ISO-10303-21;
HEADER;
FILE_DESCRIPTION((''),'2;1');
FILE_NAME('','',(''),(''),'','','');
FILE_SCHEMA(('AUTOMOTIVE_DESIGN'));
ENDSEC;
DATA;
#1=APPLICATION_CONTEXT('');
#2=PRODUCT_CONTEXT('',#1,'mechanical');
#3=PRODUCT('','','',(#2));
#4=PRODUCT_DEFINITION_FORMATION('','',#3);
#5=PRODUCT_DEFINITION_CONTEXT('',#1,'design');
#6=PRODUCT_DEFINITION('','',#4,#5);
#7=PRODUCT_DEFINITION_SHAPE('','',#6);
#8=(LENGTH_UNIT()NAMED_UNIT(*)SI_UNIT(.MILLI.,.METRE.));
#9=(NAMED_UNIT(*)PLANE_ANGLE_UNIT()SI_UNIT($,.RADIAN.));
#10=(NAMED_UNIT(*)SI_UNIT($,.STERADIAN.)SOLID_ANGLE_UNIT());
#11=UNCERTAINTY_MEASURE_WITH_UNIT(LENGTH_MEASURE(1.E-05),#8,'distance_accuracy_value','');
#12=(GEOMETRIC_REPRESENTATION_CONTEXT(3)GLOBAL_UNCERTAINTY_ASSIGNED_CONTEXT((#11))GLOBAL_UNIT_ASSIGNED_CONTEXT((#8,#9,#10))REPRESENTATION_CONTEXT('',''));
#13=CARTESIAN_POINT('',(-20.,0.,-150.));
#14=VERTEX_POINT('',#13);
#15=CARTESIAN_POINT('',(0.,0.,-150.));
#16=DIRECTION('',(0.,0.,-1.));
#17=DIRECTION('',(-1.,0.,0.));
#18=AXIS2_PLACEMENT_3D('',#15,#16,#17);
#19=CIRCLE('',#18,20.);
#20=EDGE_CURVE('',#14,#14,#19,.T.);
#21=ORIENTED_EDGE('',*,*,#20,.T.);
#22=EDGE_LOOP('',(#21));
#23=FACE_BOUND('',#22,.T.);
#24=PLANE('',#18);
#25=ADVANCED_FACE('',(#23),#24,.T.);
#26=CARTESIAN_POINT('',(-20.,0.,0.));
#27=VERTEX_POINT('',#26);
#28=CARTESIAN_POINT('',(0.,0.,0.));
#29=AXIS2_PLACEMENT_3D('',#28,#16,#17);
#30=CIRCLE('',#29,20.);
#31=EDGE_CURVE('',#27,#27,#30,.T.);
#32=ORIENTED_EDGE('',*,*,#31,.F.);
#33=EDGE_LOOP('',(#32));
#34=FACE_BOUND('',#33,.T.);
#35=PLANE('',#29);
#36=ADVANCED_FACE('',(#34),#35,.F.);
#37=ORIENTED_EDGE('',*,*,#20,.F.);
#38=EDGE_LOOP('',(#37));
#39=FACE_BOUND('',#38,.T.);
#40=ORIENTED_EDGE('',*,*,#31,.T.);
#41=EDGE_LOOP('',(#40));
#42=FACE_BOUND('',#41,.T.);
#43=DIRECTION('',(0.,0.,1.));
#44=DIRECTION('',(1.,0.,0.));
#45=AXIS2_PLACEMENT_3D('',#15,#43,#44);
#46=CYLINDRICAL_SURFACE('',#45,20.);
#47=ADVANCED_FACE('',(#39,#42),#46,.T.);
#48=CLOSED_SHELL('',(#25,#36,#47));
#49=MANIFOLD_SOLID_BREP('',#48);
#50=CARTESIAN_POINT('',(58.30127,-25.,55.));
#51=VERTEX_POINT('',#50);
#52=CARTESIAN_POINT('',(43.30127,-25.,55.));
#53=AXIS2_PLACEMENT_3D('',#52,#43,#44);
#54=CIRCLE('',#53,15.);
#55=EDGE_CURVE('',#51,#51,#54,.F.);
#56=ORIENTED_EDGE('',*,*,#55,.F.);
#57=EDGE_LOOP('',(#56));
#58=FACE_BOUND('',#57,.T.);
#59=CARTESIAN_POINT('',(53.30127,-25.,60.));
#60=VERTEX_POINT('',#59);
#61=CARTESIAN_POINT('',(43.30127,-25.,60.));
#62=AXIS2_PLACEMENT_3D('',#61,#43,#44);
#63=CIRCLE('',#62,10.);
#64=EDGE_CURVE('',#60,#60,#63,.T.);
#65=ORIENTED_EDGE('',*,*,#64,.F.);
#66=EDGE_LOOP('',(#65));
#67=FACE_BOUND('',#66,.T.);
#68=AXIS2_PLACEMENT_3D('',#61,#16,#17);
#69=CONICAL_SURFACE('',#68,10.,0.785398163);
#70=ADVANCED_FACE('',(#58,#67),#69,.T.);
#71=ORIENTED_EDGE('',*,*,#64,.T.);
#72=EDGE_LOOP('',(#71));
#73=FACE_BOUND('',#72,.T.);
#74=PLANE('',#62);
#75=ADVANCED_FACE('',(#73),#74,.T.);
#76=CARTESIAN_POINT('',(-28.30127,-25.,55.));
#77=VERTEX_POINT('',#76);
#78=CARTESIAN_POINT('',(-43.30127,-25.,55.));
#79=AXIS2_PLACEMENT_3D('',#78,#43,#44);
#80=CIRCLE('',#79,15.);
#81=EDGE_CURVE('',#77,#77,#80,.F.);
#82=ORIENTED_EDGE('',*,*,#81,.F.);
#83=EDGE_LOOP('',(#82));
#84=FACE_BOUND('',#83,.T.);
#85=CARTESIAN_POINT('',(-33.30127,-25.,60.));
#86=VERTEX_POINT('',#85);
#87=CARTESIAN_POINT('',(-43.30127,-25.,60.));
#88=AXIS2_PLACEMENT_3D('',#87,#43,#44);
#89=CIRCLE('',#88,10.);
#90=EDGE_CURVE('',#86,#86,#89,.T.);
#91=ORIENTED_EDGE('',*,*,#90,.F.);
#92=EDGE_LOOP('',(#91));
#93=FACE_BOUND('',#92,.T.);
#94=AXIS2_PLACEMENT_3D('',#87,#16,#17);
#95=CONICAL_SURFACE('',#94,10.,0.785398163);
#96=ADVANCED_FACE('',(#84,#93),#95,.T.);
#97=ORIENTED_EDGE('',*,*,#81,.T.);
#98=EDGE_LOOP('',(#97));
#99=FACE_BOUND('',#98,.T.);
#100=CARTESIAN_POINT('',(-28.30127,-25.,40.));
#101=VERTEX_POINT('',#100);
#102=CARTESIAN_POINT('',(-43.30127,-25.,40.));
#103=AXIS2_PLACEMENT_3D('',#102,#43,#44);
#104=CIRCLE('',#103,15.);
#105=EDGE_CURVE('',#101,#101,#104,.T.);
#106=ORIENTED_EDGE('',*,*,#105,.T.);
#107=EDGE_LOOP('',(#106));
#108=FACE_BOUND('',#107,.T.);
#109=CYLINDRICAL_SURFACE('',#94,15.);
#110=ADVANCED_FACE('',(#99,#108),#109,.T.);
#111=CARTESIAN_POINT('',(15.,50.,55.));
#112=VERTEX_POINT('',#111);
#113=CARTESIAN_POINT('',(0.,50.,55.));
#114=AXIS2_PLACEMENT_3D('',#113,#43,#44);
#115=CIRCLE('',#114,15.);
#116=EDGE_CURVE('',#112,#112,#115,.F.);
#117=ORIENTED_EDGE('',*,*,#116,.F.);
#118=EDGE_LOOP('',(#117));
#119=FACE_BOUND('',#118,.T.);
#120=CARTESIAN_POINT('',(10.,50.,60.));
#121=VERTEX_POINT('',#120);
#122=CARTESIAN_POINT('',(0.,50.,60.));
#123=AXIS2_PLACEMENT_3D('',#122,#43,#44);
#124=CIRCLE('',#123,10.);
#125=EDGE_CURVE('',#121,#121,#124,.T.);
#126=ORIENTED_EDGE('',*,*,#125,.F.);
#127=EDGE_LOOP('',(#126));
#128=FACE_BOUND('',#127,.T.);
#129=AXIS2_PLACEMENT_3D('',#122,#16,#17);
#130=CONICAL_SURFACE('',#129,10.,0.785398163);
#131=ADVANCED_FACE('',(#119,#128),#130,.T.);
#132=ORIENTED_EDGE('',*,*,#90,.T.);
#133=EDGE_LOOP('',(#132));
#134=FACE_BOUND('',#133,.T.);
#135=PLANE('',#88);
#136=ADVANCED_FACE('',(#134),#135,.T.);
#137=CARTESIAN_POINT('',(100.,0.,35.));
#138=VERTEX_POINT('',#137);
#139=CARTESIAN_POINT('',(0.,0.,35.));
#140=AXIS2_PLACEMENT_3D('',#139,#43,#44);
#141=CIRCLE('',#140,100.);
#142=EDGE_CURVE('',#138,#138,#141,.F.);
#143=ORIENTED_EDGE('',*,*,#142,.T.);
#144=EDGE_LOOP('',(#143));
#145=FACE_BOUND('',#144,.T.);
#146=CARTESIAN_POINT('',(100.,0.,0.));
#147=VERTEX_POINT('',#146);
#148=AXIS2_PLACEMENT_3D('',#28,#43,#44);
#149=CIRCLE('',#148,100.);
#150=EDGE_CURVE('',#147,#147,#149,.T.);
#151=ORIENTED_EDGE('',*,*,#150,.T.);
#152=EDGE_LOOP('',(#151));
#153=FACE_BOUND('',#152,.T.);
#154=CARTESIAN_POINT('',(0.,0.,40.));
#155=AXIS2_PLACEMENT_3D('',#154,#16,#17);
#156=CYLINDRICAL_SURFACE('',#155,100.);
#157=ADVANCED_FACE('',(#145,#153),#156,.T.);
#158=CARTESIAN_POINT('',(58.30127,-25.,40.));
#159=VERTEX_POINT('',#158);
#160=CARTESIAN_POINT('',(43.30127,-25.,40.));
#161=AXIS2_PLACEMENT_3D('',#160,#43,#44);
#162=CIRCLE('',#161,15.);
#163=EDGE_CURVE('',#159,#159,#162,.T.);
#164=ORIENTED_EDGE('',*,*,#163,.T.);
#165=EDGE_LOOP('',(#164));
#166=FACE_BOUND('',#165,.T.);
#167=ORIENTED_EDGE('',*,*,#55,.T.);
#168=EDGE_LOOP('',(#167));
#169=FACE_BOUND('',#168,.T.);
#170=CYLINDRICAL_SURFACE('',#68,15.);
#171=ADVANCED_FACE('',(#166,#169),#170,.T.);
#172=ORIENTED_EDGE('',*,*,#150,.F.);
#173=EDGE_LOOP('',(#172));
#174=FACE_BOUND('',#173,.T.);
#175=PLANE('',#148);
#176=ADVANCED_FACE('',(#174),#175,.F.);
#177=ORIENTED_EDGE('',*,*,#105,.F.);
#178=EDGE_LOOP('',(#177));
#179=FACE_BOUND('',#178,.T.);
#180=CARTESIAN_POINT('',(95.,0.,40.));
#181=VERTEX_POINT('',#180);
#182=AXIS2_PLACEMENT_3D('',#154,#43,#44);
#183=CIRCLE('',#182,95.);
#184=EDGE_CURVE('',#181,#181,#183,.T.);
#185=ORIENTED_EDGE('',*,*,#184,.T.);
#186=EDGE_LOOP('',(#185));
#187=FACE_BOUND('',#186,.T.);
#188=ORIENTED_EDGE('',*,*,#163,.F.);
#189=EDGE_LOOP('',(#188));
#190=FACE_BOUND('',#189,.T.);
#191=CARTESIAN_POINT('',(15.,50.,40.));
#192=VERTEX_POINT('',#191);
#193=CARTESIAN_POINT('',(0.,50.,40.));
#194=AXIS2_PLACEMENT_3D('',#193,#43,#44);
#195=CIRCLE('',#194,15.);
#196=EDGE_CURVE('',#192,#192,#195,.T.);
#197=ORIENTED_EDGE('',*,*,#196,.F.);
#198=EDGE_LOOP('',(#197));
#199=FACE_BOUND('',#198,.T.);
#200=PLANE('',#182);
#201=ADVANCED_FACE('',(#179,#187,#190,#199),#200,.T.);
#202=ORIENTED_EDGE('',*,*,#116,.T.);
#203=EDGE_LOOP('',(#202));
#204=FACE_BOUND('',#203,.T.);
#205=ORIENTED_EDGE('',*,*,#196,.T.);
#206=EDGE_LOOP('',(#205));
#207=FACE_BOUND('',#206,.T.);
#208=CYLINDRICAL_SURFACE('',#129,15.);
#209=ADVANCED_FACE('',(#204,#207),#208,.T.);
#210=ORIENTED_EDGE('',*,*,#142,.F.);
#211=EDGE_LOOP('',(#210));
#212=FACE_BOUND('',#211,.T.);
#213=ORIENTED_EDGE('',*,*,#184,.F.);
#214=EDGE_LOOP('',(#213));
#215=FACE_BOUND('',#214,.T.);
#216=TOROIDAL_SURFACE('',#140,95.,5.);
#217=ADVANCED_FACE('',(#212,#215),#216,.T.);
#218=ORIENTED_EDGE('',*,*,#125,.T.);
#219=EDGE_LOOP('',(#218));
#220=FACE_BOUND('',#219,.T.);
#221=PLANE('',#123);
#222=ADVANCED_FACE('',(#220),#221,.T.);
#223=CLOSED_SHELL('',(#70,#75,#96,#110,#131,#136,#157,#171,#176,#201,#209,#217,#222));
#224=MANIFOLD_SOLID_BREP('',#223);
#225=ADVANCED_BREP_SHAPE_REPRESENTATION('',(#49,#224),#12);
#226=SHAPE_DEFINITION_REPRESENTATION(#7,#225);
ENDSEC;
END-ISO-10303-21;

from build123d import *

# Parameters (mm, degrees)
SKETCH1_R           = 100
BOSS_EXTRUDE1_DEPTH = 40
SKETCH2_R           = 15
BOSS_EXTRUDE2_DEPTH = 20
SKETCH3_R           = 20
BOSS_EXTRUDE3_DEPTH = 150
CHAMFER1_SIZE       = 5
FILLET1_R           = 5


with BuildPart() as part:
    # Sketch1 → Boss-Extrude1 (new body)
    with BuildSketch(Plane.XY):
        Circle(SKETCH1_R)
    extrude(amount=BOSS_EXTRUDE1_DEPTH)

    # Sketch2 → Boss-Extrude2 (add)
    with BuildSketch(Plane.XY.offset(40)):
        with Locations((0, 50)):
            Circle(SKETCH2_R)
        with Locations((43.301270189, -25)):
            Circle(SKETCH2_R)
        with Locations((-43.301270189, -25)):
            Circle(SKETCH2_R)
    extrude(amount=BOSS_EXTRUDE2_DEPTH)

    # Chamfer1
    chamfer1_edges = [part.edges().sort_by_distance(p)[0] for p in [
        (-58.301270189, -25, 60),
        (-15, 50, 60),
        (28.301270189, -25, 60),
    ]]
    chamfer(chamfer1_edges, length=CHAMFER1_SIZE)

    # Fillet1
    fillet1_edges = [part.edges().sort_by_distance(p)[0] for p in [
        (-100, 0, 40),
    ]]
    fillet(fillet1_edges, radius=FILLET1_R)


with BuildPart() as body_2:
    # Sketch3 → Boss-Extrude3 (new body)
    with BuildSketch(Plane(origin=(0, 0, 0), x_dir=(-1, 0, 0), z_dir=(0, 0, -1))):
        Circle(SKETCH3_R)
    extrude(amount=BOSS_EXTRUDE3_DEPTH)


solid = Compound([part.part, body_2.part])
